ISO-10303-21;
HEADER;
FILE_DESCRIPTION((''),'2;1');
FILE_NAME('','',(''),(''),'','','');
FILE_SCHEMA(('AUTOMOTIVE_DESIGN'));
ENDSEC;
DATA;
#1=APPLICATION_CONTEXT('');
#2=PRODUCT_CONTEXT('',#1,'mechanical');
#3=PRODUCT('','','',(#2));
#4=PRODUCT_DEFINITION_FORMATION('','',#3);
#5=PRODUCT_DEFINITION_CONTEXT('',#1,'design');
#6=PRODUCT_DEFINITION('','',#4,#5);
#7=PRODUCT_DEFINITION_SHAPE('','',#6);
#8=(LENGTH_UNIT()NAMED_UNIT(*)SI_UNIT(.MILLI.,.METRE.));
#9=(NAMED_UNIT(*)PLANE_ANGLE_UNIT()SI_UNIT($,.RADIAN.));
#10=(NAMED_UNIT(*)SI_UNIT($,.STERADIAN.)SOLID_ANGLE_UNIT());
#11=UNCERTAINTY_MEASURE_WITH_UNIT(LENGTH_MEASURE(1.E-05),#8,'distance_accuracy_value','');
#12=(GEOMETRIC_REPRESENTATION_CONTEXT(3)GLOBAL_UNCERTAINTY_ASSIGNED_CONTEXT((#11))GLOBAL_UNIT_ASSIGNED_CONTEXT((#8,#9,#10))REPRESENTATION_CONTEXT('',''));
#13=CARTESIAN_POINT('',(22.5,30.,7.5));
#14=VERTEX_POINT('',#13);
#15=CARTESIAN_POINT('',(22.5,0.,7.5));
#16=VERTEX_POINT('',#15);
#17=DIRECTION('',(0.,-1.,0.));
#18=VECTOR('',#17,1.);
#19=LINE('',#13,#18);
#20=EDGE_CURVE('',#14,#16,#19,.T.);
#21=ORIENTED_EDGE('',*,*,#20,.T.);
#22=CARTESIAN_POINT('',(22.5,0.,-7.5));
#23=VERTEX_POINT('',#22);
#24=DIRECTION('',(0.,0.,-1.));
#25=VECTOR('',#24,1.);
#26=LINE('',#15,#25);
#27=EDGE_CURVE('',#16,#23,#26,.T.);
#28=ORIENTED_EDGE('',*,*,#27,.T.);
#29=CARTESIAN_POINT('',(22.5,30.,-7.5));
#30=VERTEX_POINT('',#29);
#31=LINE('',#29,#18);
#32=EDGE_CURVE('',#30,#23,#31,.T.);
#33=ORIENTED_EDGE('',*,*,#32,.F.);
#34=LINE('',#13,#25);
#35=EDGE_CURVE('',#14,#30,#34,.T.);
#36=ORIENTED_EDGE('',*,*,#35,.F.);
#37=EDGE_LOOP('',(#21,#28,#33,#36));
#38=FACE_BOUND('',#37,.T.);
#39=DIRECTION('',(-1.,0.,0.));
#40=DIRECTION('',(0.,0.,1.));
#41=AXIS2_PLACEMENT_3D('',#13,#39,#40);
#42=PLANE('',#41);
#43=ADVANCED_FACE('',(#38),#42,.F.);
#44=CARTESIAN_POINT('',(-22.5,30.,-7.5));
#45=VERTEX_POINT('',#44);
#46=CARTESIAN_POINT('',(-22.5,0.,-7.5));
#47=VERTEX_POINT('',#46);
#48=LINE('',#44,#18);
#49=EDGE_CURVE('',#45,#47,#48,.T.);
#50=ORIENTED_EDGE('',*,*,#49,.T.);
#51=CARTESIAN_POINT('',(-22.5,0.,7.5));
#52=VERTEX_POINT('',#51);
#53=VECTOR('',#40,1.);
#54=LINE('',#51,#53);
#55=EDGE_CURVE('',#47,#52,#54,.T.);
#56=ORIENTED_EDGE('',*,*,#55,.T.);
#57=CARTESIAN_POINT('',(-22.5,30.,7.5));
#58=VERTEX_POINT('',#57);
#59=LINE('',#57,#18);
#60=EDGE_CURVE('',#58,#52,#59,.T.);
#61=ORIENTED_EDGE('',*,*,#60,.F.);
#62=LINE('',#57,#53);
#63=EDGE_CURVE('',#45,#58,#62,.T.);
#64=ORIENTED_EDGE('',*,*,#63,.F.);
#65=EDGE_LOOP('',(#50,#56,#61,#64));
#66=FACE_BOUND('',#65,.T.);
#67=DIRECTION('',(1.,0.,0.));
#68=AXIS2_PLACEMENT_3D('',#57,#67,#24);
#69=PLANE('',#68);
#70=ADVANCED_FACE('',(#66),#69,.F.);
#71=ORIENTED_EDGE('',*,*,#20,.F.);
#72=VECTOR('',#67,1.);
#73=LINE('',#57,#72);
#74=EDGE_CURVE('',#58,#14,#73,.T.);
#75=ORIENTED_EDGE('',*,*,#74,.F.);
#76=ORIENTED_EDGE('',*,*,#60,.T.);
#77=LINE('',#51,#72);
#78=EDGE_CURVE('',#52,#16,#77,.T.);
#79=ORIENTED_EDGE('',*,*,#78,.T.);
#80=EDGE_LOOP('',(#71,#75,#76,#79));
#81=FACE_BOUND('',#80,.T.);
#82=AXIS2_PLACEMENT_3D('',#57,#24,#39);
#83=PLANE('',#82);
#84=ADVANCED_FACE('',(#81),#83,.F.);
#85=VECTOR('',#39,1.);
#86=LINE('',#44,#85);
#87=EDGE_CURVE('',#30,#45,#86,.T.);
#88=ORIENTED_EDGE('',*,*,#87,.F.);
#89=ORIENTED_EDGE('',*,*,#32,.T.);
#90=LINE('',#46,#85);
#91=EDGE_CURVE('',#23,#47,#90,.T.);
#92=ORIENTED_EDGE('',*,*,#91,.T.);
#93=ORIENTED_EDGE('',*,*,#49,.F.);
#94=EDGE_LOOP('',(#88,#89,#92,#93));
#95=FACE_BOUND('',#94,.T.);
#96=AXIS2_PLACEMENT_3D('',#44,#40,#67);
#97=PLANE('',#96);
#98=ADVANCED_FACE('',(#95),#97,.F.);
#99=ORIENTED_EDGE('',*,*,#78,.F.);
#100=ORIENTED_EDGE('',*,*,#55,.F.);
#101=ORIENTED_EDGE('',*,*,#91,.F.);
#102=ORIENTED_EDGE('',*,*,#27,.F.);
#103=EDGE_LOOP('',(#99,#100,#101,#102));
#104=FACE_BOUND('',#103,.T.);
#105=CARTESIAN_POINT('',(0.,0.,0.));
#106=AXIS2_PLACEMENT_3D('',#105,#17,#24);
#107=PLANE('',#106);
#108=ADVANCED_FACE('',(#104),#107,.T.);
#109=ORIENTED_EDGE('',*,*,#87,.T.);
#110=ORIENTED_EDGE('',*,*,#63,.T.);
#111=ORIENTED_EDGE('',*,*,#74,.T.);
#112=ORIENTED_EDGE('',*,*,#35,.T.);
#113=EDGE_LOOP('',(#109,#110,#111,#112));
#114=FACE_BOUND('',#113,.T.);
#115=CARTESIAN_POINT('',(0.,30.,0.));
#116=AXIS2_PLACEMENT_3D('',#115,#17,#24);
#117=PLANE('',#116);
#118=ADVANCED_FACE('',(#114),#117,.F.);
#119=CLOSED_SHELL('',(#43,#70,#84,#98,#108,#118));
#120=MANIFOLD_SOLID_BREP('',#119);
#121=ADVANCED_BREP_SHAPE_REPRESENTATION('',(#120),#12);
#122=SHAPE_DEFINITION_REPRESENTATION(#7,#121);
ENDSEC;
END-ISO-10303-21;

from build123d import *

# Parameters (mm, degrees)
CROQUIS1_W              = 45
CROQUIS1_H              = 15
SALIENTE_EXTRUIR1_DEPTH = 30


with BuildPart() as part:
    # Croquis1 → Saliente-Extruir1 (new body)
    with BuildSketch(Plane(origin=(0, 0, 0), x_dir=(1, 0, 0), z_dir=(0, 1, 0))):
        Rectangle(CROQUIS1_W, CROQUIS1_H)
    extrude(amount=SALIENTE_EXTRUIR1_DEPTH)


solid = part.part
